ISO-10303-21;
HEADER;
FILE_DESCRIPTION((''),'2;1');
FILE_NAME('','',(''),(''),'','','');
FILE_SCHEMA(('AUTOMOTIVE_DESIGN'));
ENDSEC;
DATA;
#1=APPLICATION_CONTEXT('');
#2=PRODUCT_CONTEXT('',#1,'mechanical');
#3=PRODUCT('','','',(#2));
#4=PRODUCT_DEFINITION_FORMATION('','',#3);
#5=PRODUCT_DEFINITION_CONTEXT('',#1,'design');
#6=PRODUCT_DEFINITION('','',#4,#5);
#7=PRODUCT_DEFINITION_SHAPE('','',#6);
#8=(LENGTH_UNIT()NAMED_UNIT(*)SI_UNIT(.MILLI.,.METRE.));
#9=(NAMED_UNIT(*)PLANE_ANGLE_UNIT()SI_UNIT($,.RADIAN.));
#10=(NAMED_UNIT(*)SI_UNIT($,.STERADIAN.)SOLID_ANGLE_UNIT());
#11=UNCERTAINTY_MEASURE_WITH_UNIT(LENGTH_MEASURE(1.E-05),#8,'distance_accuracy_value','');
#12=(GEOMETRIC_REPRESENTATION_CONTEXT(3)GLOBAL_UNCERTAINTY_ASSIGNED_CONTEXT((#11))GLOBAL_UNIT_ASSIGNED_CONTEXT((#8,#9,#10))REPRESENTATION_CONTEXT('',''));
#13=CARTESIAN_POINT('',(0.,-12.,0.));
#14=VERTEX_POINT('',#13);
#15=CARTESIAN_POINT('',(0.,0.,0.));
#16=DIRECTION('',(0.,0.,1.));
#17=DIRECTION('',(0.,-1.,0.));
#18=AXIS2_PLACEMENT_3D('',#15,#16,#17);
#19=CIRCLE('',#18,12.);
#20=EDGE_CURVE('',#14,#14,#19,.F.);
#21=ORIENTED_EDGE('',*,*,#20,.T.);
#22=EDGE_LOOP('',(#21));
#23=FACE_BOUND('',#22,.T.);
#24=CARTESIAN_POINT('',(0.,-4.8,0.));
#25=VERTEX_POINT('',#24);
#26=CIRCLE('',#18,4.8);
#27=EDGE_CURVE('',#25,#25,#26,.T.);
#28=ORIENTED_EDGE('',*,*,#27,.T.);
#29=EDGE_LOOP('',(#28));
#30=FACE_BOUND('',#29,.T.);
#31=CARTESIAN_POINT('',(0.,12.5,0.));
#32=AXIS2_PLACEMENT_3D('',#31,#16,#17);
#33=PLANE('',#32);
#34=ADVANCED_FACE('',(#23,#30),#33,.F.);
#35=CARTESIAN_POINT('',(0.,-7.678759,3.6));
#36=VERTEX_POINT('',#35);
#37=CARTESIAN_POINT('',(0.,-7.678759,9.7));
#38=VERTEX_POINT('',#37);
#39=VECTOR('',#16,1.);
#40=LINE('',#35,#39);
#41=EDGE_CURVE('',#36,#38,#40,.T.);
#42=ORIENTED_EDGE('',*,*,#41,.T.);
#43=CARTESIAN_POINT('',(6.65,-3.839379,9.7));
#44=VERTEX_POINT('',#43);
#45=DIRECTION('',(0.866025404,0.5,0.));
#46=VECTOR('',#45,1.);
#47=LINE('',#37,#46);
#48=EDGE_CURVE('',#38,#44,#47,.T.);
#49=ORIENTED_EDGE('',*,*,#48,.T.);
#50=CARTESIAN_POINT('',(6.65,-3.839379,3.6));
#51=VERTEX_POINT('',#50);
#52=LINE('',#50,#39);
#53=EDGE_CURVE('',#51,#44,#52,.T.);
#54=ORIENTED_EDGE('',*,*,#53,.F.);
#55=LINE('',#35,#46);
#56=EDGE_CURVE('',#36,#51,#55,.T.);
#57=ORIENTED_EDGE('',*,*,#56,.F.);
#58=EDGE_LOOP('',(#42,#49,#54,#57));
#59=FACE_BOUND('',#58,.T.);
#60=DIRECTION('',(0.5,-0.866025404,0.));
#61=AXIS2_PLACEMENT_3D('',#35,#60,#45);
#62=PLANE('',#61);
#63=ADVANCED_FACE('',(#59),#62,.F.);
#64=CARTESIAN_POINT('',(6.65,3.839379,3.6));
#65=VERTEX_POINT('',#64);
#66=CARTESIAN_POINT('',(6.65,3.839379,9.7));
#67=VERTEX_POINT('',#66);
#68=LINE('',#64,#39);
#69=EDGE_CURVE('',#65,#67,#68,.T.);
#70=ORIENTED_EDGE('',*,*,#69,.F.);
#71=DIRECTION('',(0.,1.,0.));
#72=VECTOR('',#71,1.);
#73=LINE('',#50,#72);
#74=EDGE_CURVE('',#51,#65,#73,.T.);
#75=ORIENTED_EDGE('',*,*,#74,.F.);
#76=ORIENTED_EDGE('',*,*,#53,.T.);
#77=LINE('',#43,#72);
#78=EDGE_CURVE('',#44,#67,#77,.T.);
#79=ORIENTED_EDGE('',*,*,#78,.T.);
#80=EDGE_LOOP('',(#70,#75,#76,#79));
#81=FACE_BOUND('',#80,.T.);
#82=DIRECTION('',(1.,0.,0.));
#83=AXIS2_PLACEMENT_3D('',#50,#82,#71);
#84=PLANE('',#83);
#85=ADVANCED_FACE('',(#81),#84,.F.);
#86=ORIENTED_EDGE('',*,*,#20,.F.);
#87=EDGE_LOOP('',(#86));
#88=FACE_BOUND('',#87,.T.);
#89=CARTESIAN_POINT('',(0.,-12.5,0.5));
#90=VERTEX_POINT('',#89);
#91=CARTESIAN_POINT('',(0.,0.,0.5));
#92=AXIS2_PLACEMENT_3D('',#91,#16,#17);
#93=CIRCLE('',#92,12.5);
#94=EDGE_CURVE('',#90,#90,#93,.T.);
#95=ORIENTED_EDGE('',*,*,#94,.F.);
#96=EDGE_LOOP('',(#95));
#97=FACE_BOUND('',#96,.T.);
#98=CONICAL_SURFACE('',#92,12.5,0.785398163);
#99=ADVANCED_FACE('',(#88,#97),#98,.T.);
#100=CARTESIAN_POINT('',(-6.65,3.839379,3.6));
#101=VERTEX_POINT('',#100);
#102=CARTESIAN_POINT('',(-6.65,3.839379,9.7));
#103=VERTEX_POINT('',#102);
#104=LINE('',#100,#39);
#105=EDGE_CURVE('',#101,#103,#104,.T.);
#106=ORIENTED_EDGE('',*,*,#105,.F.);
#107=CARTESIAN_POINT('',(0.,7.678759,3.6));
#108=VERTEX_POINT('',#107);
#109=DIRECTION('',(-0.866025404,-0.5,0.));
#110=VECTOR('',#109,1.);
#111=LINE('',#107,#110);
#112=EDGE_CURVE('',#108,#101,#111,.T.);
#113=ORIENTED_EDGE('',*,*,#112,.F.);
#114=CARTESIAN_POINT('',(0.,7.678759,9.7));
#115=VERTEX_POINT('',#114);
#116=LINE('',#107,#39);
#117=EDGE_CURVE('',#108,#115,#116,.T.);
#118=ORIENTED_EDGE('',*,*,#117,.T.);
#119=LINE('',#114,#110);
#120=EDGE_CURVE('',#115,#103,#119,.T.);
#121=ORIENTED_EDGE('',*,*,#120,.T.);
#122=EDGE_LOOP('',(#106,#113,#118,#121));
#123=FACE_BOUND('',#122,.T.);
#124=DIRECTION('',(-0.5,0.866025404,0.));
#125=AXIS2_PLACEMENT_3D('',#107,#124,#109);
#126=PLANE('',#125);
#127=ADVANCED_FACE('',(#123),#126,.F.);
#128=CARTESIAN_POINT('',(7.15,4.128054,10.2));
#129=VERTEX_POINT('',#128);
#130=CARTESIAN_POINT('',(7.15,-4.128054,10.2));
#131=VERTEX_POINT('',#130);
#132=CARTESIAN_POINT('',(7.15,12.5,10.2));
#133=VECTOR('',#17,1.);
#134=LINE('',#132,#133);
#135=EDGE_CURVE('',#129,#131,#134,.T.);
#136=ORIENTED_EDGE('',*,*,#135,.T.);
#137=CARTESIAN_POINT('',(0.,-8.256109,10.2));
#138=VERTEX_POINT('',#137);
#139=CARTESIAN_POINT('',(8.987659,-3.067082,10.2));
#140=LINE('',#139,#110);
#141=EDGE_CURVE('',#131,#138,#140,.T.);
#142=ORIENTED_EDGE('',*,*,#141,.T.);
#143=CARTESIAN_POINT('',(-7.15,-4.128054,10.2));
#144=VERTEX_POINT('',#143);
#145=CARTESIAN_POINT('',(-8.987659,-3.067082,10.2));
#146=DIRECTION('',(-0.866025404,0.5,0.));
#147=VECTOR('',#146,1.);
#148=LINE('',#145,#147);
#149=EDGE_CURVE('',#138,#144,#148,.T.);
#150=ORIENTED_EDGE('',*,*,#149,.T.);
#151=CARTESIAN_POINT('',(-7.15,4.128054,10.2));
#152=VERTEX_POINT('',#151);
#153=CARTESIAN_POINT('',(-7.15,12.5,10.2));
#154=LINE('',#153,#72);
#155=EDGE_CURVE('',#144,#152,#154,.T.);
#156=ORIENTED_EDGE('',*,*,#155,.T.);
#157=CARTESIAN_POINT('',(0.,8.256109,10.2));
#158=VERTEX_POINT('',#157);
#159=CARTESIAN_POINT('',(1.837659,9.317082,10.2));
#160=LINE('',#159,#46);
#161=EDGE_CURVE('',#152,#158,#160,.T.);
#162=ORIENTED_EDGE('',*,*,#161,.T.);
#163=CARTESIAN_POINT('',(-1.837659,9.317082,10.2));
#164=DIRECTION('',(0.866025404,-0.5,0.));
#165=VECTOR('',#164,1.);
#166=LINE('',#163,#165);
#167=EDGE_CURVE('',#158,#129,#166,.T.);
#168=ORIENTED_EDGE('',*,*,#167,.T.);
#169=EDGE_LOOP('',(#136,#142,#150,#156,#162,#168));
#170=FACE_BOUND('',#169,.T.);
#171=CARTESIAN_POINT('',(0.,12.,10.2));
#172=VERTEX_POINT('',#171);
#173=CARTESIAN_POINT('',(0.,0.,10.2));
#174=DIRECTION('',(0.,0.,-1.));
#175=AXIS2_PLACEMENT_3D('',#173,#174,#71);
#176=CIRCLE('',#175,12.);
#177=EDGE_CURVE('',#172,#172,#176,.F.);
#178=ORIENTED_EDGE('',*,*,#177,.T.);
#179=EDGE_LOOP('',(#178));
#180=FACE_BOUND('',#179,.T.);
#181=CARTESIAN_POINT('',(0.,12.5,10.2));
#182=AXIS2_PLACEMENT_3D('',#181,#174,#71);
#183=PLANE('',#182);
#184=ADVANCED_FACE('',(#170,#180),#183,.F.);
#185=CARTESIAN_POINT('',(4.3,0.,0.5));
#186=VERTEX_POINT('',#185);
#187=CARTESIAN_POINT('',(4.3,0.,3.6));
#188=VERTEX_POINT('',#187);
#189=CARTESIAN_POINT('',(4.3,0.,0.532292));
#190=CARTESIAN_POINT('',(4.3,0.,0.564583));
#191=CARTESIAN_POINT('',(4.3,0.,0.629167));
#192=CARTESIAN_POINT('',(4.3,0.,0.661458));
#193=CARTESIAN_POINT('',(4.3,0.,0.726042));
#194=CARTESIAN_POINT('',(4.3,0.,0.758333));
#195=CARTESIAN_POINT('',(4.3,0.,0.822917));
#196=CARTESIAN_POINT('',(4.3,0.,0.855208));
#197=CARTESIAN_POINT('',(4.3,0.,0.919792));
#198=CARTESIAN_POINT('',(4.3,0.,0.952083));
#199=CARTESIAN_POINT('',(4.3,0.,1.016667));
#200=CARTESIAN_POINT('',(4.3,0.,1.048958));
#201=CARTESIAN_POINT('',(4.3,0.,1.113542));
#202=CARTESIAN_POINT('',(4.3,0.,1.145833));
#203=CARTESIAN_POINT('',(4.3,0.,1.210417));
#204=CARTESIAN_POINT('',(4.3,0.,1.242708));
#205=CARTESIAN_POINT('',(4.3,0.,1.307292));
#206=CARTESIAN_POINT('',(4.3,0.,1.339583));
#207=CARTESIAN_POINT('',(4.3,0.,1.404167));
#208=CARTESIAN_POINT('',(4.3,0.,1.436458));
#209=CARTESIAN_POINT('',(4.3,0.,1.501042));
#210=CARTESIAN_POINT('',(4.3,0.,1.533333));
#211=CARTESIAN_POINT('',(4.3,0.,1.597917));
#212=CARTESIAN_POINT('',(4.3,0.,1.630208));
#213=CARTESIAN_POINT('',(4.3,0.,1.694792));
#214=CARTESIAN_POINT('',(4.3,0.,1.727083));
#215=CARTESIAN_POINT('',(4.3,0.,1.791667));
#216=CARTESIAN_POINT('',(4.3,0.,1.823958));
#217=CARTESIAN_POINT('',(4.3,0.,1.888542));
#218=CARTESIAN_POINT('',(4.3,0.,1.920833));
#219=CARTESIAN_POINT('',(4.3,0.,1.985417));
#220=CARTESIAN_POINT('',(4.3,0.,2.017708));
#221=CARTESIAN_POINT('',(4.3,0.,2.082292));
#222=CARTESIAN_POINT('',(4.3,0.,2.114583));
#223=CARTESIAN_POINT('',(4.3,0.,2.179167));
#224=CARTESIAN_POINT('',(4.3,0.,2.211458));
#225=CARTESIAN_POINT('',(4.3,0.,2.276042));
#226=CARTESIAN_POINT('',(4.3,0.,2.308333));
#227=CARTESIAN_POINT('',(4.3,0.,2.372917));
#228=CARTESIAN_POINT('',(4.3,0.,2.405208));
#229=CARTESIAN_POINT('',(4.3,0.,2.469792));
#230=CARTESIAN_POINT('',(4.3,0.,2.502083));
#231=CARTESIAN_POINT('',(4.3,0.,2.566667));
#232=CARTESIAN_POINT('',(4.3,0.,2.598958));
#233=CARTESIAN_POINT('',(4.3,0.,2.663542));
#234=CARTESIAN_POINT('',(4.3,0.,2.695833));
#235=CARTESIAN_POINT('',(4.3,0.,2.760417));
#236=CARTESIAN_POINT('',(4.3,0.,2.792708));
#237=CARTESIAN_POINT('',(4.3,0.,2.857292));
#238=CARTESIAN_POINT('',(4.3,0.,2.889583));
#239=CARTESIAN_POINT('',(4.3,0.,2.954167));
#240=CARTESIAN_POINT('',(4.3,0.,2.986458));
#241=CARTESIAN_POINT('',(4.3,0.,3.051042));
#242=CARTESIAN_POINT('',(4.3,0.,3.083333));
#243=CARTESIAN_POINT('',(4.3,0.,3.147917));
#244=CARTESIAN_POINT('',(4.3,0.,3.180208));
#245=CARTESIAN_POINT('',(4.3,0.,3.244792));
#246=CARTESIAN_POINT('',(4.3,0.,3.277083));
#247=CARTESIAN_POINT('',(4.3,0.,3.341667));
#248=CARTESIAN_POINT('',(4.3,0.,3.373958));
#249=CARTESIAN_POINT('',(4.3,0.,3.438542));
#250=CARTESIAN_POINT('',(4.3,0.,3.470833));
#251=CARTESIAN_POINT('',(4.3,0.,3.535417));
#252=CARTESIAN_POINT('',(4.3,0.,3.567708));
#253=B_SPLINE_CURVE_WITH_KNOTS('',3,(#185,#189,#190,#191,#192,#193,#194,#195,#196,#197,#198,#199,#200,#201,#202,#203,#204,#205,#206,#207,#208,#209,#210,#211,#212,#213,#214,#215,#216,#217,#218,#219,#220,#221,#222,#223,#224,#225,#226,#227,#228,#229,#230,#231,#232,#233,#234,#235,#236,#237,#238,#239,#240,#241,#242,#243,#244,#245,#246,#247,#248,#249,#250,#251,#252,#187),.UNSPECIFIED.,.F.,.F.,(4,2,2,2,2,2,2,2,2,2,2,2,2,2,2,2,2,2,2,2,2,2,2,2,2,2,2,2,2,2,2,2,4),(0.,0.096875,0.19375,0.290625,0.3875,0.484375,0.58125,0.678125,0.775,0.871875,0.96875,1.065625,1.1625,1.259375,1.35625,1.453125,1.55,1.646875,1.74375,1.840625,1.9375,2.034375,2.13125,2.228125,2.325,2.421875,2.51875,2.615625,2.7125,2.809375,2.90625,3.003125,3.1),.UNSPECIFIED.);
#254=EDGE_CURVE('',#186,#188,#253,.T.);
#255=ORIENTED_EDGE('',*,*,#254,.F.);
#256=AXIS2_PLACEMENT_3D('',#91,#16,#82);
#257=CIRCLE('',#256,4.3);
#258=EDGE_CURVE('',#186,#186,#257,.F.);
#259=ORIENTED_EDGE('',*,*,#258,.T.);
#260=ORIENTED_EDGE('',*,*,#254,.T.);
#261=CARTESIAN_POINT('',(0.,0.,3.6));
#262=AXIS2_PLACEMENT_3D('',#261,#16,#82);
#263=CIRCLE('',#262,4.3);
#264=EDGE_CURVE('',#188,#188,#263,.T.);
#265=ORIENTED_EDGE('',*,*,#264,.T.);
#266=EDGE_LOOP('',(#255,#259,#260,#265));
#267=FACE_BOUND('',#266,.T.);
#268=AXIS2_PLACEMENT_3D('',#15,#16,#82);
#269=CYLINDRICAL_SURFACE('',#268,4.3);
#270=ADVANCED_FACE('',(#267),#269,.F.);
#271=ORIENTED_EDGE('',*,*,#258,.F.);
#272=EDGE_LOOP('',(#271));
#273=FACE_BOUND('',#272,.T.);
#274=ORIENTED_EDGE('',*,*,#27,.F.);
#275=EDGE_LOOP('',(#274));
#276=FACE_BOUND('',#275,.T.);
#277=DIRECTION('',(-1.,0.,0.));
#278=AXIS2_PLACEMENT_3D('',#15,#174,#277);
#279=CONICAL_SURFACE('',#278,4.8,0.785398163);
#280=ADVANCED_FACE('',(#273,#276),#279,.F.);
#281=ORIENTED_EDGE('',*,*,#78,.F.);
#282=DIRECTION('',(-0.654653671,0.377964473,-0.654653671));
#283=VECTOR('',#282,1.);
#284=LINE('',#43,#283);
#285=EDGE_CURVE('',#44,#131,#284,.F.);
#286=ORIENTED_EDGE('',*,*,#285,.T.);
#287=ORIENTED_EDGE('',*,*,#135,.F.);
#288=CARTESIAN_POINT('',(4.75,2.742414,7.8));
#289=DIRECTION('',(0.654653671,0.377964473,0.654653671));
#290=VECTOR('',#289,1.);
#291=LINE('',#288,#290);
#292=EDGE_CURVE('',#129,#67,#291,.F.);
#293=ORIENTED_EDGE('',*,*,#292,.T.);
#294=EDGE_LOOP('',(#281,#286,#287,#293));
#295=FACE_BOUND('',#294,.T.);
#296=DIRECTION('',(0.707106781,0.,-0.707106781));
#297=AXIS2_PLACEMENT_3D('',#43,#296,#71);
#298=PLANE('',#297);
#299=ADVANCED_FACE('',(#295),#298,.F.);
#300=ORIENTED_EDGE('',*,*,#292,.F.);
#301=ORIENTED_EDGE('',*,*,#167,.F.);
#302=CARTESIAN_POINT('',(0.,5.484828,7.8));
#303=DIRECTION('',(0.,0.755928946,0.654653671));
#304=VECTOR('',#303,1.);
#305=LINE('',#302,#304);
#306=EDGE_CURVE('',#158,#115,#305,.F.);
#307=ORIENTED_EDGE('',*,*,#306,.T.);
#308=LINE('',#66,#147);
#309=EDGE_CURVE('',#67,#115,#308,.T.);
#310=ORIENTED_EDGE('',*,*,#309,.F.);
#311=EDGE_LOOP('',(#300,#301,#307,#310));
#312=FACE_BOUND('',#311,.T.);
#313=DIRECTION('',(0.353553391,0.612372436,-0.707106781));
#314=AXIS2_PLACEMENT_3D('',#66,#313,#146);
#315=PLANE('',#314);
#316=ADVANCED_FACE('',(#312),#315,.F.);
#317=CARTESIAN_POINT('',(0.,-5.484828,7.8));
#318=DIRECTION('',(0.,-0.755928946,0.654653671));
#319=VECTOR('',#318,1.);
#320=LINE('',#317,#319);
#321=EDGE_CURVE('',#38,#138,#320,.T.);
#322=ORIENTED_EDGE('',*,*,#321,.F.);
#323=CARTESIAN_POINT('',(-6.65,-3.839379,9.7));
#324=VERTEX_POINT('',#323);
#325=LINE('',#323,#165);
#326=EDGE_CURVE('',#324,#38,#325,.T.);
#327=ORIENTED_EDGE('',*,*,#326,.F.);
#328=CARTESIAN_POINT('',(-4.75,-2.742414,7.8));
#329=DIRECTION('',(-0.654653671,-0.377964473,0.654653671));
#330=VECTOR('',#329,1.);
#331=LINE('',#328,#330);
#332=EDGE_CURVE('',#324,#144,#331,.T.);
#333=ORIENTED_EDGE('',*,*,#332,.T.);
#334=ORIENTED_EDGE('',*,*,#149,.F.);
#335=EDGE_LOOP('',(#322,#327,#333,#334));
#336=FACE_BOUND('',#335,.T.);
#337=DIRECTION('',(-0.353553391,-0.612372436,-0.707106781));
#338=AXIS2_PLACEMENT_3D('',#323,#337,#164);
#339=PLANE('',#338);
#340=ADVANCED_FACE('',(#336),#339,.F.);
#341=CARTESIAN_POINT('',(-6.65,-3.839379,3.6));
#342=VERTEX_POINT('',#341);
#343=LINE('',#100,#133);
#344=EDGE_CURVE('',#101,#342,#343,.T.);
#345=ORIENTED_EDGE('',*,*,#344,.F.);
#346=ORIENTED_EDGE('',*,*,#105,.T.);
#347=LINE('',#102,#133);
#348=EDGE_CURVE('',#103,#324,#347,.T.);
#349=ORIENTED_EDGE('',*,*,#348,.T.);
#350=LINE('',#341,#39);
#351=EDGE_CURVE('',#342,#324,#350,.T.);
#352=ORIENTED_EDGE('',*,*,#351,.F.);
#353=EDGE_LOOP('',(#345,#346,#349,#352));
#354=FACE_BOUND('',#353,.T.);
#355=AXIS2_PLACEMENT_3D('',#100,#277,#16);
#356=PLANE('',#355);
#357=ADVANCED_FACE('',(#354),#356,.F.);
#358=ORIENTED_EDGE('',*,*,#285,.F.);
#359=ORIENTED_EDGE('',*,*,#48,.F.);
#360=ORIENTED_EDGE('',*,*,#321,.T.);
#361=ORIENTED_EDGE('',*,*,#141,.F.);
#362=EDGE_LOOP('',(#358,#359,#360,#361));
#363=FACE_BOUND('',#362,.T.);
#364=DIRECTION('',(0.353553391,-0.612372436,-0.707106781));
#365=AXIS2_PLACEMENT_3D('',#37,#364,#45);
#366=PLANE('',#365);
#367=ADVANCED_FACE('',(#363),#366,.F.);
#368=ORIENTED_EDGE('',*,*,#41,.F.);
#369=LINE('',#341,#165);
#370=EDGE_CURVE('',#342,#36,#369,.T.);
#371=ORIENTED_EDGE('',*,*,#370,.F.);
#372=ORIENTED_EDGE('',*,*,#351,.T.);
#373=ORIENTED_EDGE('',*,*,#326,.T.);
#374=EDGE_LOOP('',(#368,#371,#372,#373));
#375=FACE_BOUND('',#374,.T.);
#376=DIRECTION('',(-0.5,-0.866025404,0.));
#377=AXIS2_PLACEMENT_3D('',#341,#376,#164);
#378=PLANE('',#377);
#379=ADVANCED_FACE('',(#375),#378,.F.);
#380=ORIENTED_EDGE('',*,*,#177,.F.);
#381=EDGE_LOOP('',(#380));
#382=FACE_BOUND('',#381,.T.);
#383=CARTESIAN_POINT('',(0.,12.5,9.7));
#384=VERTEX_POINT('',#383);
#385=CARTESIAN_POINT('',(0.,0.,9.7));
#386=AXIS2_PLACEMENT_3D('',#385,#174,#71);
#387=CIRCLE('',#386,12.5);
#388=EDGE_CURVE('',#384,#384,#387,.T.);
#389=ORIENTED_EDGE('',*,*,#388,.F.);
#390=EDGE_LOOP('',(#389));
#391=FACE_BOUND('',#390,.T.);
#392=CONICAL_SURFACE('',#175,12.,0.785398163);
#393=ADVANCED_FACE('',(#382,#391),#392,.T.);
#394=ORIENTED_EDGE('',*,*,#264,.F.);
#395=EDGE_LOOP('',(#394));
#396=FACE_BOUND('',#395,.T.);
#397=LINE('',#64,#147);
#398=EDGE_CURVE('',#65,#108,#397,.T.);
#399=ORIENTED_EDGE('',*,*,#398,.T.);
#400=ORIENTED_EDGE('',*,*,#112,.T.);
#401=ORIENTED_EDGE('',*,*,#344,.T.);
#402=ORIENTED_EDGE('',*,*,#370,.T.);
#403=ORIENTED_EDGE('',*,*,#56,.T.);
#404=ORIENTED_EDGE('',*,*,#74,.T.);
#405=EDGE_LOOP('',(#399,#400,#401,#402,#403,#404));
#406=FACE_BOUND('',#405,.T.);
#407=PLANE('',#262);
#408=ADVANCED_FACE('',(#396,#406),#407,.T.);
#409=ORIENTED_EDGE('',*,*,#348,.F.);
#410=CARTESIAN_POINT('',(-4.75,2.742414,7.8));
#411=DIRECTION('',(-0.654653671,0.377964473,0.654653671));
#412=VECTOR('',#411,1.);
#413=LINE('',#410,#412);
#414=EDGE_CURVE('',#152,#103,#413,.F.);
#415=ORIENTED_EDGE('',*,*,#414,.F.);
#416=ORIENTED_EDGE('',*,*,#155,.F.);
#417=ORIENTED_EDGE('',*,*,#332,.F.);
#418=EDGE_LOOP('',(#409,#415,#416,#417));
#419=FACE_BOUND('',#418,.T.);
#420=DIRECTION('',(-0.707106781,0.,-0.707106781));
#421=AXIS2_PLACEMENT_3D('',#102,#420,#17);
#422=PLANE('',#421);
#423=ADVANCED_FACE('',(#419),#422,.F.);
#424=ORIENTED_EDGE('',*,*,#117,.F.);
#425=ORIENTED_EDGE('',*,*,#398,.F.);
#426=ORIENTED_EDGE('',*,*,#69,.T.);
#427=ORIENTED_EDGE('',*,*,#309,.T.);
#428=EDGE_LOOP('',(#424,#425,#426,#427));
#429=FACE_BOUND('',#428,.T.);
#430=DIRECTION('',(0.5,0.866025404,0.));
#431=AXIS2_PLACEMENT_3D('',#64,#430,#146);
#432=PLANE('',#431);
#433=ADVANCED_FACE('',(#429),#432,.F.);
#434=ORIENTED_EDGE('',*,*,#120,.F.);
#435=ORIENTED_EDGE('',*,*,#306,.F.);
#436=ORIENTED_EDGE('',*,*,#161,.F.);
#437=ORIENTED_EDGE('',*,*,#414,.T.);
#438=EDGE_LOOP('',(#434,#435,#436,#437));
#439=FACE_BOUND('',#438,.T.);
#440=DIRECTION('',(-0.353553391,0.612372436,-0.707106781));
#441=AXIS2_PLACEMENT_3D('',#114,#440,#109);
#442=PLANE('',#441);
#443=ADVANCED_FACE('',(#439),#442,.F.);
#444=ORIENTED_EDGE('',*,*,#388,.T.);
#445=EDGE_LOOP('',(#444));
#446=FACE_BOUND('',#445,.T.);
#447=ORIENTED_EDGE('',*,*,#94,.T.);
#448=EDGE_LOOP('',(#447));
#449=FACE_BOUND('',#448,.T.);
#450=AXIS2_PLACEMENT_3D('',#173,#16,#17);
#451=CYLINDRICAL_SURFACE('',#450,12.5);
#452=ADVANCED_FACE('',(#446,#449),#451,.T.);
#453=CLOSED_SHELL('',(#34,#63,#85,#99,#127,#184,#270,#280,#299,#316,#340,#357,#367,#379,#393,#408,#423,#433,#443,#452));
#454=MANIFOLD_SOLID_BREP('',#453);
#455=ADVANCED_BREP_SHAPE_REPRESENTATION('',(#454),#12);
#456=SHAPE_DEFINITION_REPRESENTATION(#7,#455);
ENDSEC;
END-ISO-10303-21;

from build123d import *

# Parameters (mm, degrees)
SKETCH4_W          = 10.2
SKETCH4_H          = 12.5
CUT_EXTRUDE1_DEPTH = 6.6
SKETCH6_R          = 4.3
CUT_EXTRUDE2_DEPTH = 19.869552194
CHAMFER2_SIZE      = 0.5


with BuildPart() as part:
    # Sketch4 → Revolve1 (revolve)
    with BuildSketch(Plane(origin=(0, 0, 0), x_dir=(0, 0, -1), z_dir=(1, 0, 0)), mode=Mode.PRIVATE) as revolve1_sk:
        with Locations((-5.1, 6.25)):
            Rectangle(SKETCH4_W, SKETCH4_H)
    revolve(revolve1_sk.sketch.rotate(Axis((0, 0, 10.2), (0, 0, -1)), 180), axis=Axis((0, 0, 10.2), (0, 0, -1)))

    # Sketch5 → Cut-Extrude1 (cut)
    with BuildSketch(Plane.XY.offset(10.2)):
        Polygon((0, -7.67875858), (6.65, -3.83937929), (6.65, 3.83937929), (0, 7.67875858), (-6.65, 3.83937929), (-6.65, -3.83937929), align=None)
    extrude(amount=-CUT_EXTRUDE1_DEPTH, mode=Mode.SUBTRACT)

    # Sketch6 → Cut-Extrude2 (cut, through all)
    with BuildSketch(Plane.XY.offset(3.6)):
        Circle(SKETCH6_R)
    extrude(amount=-CUT_EXTRUDE2_DEPTH, mode=Mode.SUBTRACT)

    # Chamfer2
    chamfer2_edges = [part.edges().sort_by_distance(p)[0] for p in [
        (-3.325, -5.759068935, 10.2),
        (3.325, -5.759068935, 10.2),
        (6.65, 0, 10.2),
        (3.325, 5.759068935, 10.2),
        (-3.325, 5.759068935, 10.2),
        (-6.65, 0, 10.2),
        (-4.3, 0, 0),
        (0, 12.5, 0),
        (0, 12.5, 10.2),
    ]]
    chamfer(chamfer2_edges, length=CHAMFER2_SIZE)


solid = part.part
